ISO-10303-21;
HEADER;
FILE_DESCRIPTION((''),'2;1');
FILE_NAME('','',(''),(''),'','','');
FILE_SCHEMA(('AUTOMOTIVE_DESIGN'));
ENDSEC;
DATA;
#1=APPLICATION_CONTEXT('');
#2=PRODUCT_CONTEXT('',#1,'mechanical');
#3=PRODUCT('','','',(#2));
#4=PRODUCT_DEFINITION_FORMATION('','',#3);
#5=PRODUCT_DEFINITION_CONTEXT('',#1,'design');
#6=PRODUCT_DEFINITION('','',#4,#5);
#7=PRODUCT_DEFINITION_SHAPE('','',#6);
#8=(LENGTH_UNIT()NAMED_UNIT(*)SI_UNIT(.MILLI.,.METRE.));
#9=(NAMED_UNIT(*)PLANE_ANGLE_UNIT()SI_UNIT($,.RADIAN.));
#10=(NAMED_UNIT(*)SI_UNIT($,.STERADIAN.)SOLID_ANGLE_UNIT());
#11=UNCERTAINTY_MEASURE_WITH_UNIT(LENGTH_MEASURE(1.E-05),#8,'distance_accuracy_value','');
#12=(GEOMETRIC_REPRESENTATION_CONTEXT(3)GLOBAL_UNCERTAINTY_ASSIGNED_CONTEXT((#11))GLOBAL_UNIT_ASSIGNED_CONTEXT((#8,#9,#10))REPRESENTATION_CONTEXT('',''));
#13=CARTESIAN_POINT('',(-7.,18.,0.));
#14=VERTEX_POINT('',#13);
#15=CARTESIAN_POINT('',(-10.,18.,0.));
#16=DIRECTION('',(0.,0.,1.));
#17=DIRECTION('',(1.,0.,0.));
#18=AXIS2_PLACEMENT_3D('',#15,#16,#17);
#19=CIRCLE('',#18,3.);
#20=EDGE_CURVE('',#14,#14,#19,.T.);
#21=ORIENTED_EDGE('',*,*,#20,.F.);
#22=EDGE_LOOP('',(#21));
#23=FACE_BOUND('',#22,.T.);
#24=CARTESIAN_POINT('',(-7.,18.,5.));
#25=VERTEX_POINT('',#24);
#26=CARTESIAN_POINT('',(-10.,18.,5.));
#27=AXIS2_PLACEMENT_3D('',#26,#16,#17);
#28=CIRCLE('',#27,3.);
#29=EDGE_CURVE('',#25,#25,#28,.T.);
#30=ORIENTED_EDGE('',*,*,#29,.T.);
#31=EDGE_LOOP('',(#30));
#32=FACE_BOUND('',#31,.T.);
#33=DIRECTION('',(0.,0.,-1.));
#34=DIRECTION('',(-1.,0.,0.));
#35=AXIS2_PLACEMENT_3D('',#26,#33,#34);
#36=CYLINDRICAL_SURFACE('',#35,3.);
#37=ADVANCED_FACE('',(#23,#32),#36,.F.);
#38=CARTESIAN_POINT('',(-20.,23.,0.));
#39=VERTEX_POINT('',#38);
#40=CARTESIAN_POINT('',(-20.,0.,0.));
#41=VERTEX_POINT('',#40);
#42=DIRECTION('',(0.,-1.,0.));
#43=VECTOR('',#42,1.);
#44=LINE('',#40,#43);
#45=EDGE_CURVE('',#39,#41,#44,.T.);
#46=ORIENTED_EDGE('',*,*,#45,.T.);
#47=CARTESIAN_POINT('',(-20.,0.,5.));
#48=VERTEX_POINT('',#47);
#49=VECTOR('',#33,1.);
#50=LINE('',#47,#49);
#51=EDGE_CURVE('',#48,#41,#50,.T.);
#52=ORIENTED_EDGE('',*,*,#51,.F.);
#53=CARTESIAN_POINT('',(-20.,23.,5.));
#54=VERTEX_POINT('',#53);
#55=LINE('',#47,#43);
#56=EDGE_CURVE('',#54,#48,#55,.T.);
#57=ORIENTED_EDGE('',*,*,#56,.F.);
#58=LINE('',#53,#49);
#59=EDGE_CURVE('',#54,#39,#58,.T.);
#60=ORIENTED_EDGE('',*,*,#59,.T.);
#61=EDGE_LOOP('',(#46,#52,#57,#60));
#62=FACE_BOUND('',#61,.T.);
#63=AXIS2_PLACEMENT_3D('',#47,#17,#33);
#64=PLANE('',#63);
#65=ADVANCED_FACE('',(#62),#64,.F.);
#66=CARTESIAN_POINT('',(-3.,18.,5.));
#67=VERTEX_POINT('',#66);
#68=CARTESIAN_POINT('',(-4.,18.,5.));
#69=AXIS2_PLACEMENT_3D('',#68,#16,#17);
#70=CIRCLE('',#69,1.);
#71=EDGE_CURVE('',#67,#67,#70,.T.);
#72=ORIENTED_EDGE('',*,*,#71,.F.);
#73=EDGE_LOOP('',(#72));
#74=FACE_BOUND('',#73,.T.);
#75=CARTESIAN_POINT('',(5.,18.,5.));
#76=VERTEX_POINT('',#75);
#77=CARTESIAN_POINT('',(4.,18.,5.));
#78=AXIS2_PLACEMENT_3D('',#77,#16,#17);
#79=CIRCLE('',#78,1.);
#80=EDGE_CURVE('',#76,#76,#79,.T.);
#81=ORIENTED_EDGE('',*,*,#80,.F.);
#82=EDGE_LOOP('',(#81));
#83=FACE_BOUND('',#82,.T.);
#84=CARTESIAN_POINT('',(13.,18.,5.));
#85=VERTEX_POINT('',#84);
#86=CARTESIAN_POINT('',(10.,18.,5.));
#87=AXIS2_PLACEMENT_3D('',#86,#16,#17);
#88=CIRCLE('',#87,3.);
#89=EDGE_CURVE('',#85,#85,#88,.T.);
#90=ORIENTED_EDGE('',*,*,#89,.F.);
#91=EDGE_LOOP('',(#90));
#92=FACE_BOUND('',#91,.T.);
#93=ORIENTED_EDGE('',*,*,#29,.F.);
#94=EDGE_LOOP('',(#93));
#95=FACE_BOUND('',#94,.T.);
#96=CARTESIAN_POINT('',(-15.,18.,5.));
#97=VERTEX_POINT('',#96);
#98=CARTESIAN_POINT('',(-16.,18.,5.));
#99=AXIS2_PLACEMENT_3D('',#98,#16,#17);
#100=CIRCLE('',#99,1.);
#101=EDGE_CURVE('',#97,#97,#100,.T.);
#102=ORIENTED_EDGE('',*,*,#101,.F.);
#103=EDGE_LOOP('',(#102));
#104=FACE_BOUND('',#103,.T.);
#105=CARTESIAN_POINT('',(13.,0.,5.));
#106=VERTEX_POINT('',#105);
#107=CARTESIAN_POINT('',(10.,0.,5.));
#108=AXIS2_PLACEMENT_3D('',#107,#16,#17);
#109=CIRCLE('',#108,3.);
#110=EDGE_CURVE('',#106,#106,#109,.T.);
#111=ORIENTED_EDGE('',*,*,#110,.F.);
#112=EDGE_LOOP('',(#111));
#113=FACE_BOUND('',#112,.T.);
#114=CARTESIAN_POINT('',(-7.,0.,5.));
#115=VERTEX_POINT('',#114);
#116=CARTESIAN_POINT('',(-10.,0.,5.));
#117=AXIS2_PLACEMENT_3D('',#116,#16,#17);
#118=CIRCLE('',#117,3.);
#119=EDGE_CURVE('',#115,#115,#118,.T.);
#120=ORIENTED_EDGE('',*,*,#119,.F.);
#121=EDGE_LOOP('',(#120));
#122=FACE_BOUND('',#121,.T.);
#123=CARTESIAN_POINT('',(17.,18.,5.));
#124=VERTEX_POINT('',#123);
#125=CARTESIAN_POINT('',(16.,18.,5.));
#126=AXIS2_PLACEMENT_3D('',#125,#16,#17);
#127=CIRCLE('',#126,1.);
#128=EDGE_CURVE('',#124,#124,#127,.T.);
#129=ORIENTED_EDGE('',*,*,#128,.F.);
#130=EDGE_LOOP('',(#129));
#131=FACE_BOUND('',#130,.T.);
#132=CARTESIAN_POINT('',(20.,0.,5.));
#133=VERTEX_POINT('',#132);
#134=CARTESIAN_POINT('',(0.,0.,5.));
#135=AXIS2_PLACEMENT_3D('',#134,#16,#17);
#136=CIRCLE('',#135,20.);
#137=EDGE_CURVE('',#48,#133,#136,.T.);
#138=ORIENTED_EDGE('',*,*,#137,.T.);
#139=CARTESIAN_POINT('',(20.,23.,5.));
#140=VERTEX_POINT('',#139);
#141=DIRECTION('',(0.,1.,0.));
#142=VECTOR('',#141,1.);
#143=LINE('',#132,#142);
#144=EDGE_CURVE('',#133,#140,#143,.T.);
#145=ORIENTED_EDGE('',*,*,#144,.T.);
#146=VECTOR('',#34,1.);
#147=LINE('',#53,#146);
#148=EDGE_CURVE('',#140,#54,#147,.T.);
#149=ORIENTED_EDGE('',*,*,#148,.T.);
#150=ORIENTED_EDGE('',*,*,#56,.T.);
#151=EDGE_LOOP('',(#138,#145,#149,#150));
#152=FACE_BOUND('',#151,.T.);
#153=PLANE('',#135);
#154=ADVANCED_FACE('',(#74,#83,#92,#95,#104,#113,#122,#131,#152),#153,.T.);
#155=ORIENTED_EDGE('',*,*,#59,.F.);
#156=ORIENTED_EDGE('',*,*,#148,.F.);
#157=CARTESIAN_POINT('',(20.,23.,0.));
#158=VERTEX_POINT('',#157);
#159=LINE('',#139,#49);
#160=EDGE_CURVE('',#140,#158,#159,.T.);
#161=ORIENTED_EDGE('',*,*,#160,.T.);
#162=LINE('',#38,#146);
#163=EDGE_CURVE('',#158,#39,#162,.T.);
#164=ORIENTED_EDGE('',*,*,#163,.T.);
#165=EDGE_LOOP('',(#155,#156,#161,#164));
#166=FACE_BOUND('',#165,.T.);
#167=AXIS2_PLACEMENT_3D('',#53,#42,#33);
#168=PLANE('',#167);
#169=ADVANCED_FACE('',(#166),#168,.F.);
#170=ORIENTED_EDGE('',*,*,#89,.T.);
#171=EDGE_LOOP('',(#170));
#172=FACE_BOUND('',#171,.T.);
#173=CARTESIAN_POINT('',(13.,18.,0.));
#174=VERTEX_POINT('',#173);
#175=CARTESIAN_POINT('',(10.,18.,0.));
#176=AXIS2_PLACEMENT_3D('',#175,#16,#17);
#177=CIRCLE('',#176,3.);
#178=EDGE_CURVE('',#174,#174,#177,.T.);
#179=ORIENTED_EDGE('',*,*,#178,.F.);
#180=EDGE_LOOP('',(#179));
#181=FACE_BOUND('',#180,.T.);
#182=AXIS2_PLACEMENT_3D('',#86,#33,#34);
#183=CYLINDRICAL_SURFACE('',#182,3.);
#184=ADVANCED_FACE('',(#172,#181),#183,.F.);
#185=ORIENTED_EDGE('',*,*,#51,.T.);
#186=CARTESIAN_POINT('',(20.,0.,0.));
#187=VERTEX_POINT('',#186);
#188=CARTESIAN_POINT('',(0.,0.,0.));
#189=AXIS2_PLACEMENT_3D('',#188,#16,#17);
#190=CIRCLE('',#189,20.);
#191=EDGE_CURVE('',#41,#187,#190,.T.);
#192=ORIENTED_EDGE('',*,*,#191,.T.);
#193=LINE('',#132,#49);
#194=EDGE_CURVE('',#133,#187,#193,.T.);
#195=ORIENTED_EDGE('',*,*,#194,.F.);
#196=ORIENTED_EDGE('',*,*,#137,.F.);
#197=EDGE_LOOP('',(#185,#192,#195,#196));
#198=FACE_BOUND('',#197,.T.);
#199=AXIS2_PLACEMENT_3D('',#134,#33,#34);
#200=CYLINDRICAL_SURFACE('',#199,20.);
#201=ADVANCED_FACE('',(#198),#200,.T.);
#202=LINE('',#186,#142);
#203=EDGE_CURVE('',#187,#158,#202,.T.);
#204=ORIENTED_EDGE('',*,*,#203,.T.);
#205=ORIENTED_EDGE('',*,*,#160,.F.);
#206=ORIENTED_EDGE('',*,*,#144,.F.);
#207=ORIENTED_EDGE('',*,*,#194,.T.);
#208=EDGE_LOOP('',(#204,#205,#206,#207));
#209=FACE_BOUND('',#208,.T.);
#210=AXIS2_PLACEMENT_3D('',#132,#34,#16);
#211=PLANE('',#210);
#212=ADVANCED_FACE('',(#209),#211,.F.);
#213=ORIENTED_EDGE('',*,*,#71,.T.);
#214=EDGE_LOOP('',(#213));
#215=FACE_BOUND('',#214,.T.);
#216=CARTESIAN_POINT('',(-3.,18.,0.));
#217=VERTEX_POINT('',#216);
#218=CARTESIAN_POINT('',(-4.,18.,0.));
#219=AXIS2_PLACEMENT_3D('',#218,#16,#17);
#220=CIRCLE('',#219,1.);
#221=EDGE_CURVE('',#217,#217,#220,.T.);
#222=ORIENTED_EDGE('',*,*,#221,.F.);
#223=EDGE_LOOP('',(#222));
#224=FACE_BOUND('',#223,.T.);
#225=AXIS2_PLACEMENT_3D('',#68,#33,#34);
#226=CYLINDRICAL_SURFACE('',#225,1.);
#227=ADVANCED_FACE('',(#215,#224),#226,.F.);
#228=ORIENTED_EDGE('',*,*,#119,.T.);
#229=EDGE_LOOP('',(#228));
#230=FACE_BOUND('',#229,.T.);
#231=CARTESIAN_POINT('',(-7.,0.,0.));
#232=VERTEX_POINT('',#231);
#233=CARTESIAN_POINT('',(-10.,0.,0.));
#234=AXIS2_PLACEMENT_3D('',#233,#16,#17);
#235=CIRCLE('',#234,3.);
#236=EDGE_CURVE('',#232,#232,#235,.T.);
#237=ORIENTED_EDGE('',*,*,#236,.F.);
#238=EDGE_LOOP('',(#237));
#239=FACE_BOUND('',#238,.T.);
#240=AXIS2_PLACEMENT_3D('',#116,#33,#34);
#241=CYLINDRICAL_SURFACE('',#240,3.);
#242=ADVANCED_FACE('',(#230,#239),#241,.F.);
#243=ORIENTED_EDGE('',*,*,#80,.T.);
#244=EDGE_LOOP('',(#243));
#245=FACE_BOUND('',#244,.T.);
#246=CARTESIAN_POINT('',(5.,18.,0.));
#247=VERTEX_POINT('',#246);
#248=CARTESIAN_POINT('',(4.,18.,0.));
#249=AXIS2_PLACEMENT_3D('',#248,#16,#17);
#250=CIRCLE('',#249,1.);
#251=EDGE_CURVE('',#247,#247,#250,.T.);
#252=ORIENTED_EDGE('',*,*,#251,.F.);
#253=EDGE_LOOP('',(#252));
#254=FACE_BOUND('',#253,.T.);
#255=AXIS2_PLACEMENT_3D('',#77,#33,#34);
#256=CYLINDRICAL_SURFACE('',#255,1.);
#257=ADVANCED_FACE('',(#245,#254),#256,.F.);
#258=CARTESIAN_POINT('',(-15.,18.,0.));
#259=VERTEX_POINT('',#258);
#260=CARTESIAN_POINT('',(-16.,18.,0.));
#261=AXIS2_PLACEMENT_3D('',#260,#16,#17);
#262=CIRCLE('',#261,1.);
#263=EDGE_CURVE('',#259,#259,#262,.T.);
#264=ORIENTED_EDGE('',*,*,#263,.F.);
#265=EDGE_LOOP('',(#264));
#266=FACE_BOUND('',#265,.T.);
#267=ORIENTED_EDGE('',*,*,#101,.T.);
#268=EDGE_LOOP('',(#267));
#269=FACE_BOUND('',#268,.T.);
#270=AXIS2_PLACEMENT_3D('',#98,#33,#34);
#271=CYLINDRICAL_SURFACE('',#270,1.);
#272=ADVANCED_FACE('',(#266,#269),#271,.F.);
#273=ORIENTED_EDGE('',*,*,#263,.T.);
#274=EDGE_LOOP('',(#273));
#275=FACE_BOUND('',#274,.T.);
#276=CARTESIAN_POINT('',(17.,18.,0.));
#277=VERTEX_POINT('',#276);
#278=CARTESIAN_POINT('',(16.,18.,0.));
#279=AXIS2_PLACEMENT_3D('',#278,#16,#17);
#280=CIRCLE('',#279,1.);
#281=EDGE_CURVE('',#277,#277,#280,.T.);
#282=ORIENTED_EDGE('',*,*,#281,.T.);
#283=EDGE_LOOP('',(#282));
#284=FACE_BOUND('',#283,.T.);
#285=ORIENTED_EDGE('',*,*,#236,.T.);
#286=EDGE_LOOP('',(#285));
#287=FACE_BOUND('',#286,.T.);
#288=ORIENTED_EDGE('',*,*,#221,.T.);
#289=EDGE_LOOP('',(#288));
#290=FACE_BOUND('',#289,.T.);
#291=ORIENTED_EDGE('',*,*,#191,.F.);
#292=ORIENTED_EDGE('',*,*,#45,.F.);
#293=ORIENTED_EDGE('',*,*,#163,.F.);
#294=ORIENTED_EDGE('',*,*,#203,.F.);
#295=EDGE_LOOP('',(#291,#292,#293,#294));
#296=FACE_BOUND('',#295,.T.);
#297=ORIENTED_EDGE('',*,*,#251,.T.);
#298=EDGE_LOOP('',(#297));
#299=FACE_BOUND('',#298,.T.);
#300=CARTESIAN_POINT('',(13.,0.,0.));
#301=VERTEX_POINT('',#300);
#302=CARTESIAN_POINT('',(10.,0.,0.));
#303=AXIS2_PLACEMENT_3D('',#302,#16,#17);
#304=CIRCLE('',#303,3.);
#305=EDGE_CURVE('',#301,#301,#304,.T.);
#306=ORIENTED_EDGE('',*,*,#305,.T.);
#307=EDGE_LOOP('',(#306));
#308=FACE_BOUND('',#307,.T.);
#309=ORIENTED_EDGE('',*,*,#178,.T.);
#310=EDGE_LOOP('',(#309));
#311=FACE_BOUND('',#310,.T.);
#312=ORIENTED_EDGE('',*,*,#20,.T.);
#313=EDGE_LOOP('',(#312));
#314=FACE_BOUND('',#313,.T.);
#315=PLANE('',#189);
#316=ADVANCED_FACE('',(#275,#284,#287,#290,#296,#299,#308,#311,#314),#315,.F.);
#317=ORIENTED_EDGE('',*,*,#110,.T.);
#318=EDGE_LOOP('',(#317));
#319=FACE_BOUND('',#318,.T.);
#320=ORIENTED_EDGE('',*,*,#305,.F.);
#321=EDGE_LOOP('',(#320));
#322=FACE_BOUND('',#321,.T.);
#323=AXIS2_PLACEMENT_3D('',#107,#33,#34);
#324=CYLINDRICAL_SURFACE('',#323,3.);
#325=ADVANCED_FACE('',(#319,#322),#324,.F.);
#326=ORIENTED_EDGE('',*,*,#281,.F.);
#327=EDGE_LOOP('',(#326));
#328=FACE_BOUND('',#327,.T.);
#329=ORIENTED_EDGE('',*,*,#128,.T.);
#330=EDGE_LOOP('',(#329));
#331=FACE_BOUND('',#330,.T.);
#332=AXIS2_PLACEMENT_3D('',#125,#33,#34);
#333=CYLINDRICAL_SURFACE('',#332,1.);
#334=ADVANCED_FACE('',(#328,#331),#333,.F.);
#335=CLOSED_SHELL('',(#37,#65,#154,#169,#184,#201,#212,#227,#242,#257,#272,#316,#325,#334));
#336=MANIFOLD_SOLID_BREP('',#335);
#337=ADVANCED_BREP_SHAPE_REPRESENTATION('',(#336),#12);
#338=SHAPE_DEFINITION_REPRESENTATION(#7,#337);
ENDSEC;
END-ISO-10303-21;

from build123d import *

# Parameters (mm, degrees)
CROQUIS1_R              = 3
CROQUIS1_R_2            = 1
SALIENTE_EXTRUIR1_DEPTH = 5


with BuildPart() as part:
    # Croquis1 → Saliente-Extruir1 (new body)
    with BuildSketch(Plane.XY):
        with BuildLine():
            Line((-20, 0), (-20, 23))
            Line((-20, 23), (20, 23))
            Line((20, 23), (20, 0))
            ThreePointArc((20, 0), (0, -20), (-20, 0))
        make_face()
        with Locations((10, 0)):
            Circle(CROQUIS1_R, mode=Mode.SUBTRACT)
        with Locations((-10, 0)):
            Circle(CROQUIS1_R, mode=Mode.SUBTRACT)
        with Locations((-10, 18)):
            Circle(CROQUIS1_R, mode=Mode.SUBTRACT)
        with Locations((10, 18)):
            Circle(CROQUIS1_R, mode=Mode.SUBTRACT)
        with Locations((-4, 18)):
            Circle(CROQUIS1_R_2, mode=Mode.SUBTRACT)
        with Locations((-16, 18)):
            Circle(CROQUIS1_R_2, mode=Mode.SUBTRACT)
        with Locations((4, 18)):
            Circle(CROQUIS1_R_2, mode=Mode.SUBTRACT)
        with Locations((16, 18)):
            Circle(CROQUIS1_R_2, mode=Mode.SUBTRACT)
    extrude(amount=SALIENTE_EXTRUIR1_DEPTH)


solid = part.part
